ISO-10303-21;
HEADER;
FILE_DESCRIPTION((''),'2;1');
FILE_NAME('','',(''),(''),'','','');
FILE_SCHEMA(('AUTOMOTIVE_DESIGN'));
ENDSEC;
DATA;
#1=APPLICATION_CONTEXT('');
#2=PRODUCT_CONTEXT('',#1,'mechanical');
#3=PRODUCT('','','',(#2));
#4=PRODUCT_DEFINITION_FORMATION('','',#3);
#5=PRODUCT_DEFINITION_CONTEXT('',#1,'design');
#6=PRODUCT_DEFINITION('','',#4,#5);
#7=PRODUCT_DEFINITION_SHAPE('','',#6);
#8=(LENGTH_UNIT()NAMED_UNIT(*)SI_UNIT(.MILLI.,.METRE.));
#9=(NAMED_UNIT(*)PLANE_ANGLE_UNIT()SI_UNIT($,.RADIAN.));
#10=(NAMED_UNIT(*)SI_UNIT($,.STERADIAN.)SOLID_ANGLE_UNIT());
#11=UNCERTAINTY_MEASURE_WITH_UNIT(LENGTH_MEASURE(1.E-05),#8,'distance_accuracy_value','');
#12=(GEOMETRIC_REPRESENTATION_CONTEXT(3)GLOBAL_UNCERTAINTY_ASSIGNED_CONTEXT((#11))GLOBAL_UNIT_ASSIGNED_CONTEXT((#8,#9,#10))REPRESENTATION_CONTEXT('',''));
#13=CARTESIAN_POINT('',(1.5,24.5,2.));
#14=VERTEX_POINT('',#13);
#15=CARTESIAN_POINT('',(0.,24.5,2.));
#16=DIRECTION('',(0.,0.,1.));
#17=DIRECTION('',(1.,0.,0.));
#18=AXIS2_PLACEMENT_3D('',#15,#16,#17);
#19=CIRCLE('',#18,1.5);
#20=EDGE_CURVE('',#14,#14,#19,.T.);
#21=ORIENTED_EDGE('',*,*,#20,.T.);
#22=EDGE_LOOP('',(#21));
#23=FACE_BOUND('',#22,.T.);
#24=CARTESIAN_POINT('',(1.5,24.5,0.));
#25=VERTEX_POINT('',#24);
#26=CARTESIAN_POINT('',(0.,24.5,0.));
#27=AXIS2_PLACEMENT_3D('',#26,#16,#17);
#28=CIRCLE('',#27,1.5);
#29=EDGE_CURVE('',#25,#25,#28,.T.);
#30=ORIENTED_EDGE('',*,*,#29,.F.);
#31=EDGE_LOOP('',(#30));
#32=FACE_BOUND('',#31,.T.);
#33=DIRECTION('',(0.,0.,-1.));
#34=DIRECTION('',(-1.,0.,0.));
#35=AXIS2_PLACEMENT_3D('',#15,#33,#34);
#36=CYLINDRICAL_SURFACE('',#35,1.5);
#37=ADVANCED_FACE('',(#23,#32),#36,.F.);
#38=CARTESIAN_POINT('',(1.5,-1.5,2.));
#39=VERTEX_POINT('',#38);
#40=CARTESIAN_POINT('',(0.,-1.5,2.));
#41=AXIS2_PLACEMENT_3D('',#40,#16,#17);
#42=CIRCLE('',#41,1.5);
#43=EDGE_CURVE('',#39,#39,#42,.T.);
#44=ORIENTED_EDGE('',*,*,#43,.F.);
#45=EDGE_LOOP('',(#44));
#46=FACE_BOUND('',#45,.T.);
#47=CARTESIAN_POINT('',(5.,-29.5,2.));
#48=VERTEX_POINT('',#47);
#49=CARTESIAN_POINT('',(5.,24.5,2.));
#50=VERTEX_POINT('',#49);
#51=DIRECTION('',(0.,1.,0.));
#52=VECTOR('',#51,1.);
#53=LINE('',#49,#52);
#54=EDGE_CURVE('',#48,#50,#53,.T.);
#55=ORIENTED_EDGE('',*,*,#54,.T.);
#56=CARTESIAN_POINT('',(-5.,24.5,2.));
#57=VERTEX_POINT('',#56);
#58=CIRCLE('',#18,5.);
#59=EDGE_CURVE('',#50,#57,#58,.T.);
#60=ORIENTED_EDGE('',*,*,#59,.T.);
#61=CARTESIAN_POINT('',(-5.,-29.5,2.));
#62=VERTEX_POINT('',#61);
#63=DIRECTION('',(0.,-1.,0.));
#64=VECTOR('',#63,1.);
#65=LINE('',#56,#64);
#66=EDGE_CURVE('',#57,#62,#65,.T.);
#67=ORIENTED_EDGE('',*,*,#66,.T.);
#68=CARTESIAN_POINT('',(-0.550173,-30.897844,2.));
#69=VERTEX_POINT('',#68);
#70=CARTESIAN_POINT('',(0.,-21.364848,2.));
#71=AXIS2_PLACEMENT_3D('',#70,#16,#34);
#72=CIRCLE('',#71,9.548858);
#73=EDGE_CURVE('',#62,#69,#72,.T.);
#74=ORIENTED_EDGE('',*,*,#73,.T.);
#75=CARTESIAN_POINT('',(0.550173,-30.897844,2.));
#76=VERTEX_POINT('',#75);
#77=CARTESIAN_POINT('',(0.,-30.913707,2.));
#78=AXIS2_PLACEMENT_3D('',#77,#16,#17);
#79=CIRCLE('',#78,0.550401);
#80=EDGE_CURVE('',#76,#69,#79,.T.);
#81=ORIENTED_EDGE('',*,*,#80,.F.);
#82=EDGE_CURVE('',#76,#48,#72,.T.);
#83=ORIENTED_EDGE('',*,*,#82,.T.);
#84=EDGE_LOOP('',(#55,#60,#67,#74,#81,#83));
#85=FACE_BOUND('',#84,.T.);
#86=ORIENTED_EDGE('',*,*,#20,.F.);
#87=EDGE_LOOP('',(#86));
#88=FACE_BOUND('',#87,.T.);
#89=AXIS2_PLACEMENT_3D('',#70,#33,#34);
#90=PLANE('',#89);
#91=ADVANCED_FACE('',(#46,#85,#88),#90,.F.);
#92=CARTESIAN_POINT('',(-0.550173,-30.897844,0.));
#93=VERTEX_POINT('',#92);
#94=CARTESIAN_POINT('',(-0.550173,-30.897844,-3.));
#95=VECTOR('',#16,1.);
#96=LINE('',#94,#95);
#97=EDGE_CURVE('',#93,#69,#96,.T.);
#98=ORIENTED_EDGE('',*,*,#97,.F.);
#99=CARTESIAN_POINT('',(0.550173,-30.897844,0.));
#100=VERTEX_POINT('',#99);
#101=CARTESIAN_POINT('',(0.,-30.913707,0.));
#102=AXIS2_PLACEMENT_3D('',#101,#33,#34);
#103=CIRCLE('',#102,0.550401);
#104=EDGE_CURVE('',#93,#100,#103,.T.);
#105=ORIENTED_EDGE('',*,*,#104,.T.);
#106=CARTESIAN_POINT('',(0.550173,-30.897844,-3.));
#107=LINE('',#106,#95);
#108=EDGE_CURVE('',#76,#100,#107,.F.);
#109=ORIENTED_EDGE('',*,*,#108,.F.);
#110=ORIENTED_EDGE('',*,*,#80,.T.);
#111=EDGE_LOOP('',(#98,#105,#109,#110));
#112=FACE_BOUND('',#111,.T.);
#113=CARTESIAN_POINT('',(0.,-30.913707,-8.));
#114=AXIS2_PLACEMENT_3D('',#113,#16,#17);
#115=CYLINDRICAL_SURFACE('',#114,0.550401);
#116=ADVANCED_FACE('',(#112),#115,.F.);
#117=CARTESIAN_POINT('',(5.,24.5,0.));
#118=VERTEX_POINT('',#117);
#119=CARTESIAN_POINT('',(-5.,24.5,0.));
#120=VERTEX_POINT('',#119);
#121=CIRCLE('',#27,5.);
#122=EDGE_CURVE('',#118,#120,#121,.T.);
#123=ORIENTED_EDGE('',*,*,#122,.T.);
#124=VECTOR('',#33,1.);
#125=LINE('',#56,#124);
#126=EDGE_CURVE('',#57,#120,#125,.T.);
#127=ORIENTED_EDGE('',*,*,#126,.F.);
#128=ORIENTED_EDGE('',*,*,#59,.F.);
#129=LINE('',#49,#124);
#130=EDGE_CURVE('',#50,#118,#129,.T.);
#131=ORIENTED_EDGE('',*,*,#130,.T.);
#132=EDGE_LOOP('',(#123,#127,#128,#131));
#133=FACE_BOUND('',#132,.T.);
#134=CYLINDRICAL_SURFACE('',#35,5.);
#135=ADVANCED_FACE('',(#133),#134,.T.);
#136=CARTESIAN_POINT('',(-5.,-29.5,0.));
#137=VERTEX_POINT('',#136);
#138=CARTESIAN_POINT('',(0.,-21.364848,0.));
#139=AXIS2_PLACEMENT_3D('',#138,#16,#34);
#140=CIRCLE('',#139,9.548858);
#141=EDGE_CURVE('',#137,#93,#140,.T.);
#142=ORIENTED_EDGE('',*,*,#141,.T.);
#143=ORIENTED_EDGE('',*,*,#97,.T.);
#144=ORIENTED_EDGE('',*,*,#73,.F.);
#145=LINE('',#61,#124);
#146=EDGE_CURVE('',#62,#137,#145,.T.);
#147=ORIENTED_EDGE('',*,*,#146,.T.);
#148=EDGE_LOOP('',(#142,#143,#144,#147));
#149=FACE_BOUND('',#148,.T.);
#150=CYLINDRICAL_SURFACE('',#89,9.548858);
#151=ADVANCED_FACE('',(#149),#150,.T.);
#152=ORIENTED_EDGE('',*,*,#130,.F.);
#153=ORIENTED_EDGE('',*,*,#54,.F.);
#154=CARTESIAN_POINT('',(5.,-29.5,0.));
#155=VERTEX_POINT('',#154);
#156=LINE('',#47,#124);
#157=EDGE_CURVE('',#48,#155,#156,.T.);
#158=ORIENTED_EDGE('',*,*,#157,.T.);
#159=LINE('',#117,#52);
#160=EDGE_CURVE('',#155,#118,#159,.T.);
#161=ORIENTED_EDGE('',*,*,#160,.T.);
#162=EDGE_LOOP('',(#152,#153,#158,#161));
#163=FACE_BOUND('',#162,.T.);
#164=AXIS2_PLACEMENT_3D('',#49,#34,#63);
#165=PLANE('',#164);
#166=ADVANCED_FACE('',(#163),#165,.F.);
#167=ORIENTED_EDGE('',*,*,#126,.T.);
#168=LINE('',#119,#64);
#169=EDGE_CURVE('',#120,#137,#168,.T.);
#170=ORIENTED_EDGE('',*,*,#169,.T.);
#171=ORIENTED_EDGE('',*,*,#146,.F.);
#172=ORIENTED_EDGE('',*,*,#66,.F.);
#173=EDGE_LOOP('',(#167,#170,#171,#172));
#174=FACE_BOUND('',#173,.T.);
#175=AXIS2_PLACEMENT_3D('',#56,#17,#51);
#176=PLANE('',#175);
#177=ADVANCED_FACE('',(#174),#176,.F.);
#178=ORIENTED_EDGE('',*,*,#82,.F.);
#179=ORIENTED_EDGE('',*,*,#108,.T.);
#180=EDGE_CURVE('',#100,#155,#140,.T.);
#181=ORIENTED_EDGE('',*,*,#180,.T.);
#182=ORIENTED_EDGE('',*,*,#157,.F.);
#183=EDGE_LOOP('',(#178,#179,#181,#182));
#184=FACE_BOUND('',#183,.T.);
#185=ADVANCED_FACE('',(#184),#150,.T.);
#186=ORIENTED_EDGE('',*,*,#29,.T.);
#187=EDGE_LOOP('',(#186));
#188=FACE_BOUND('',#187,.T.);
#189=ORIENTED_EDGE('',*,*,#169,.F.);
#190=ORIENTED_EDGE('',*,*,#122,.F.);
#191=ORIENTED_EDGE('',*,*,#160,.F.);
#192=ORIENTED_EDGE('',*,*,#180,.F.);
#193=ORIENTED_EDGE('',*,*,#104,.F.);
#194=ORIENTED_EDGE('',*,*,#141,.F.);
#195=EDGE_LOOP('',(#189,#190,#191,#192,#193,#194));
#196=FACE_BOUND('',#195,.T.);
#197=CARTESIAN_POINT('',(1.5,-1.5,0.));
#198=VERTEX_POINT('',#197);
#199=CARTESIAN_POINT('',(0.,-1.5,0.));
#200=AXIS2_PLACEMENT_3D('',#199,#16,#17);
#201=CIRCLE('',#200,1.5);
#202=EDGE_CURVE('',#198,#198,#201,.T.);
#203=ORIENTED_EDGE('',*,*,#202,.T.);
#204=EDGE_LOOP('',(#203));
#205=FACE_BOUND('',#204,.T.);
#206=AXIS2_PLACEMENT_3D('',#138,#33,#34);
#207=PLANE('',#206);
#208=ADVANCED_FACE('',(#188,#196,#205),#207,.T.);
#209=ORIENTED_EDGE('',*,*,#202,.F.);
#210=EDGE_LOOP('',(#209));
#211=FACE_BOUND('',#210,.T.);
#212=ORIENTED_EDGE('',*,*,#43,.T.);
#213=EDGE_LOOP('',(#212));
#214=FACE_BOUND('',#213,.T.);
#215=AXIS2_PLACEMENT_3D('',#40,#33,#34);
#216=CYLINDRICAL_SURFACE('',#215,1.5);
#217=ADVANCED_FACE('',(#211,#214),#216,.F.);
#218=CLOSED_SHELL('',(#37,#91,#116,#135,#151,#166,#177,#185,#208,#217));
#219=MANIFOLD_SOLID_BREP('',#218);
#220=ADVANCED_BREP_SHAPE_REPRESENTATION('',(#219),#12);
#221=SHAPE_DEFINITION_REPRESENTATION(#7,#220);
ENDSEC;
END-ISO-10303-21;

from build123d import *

# Parameters (mm, degrees)
SKETCH1_R           = 1.5
BOSS_EXTRUDE1_DEPTH = 2
SKETCH2_R           = 0.550401242
CUT_EXTRUDE1_DEPTH  = 10


with BuildPart() as part:
    # Sketch1 → Boss-Extrude1 (new body)
    with BuildSketch(Plane.XY):
        with BuildLine():
            Line((-5, 24.5), (-5, -29.5))
            ThreePointArc((-5, -29.5), (0, -30.913706536), (5, -29.5))
            Line((5, -29.5), (5, 24.5))
            ThreePointArc((5, 24.5), (0, 29.5), (-5, 24.5))
        make_face()
        with Locations((0, 24.5)):
            Circle(SKETCH1_R, mode=Mode.SUBTRACT)
        with Locations((0, -1.5)):
            Circle(SKETCH1_R, mode=Mode.SUBTRACT)
    extrude(amount=BOSS_EXTRUDE1_DEPTH)

    # Sketch2 → Cut-Extrude1 (cut)
    with BuildSketch(Plane.XY.offset(2)):
        with Locations((0, -30.913706536)):
            Circle(SKETCH2_R)
    extrude(amount=-CUT_EXTRUDE1_DEPTH, mode=Mode.SUBTRACT)


solid = part.part
